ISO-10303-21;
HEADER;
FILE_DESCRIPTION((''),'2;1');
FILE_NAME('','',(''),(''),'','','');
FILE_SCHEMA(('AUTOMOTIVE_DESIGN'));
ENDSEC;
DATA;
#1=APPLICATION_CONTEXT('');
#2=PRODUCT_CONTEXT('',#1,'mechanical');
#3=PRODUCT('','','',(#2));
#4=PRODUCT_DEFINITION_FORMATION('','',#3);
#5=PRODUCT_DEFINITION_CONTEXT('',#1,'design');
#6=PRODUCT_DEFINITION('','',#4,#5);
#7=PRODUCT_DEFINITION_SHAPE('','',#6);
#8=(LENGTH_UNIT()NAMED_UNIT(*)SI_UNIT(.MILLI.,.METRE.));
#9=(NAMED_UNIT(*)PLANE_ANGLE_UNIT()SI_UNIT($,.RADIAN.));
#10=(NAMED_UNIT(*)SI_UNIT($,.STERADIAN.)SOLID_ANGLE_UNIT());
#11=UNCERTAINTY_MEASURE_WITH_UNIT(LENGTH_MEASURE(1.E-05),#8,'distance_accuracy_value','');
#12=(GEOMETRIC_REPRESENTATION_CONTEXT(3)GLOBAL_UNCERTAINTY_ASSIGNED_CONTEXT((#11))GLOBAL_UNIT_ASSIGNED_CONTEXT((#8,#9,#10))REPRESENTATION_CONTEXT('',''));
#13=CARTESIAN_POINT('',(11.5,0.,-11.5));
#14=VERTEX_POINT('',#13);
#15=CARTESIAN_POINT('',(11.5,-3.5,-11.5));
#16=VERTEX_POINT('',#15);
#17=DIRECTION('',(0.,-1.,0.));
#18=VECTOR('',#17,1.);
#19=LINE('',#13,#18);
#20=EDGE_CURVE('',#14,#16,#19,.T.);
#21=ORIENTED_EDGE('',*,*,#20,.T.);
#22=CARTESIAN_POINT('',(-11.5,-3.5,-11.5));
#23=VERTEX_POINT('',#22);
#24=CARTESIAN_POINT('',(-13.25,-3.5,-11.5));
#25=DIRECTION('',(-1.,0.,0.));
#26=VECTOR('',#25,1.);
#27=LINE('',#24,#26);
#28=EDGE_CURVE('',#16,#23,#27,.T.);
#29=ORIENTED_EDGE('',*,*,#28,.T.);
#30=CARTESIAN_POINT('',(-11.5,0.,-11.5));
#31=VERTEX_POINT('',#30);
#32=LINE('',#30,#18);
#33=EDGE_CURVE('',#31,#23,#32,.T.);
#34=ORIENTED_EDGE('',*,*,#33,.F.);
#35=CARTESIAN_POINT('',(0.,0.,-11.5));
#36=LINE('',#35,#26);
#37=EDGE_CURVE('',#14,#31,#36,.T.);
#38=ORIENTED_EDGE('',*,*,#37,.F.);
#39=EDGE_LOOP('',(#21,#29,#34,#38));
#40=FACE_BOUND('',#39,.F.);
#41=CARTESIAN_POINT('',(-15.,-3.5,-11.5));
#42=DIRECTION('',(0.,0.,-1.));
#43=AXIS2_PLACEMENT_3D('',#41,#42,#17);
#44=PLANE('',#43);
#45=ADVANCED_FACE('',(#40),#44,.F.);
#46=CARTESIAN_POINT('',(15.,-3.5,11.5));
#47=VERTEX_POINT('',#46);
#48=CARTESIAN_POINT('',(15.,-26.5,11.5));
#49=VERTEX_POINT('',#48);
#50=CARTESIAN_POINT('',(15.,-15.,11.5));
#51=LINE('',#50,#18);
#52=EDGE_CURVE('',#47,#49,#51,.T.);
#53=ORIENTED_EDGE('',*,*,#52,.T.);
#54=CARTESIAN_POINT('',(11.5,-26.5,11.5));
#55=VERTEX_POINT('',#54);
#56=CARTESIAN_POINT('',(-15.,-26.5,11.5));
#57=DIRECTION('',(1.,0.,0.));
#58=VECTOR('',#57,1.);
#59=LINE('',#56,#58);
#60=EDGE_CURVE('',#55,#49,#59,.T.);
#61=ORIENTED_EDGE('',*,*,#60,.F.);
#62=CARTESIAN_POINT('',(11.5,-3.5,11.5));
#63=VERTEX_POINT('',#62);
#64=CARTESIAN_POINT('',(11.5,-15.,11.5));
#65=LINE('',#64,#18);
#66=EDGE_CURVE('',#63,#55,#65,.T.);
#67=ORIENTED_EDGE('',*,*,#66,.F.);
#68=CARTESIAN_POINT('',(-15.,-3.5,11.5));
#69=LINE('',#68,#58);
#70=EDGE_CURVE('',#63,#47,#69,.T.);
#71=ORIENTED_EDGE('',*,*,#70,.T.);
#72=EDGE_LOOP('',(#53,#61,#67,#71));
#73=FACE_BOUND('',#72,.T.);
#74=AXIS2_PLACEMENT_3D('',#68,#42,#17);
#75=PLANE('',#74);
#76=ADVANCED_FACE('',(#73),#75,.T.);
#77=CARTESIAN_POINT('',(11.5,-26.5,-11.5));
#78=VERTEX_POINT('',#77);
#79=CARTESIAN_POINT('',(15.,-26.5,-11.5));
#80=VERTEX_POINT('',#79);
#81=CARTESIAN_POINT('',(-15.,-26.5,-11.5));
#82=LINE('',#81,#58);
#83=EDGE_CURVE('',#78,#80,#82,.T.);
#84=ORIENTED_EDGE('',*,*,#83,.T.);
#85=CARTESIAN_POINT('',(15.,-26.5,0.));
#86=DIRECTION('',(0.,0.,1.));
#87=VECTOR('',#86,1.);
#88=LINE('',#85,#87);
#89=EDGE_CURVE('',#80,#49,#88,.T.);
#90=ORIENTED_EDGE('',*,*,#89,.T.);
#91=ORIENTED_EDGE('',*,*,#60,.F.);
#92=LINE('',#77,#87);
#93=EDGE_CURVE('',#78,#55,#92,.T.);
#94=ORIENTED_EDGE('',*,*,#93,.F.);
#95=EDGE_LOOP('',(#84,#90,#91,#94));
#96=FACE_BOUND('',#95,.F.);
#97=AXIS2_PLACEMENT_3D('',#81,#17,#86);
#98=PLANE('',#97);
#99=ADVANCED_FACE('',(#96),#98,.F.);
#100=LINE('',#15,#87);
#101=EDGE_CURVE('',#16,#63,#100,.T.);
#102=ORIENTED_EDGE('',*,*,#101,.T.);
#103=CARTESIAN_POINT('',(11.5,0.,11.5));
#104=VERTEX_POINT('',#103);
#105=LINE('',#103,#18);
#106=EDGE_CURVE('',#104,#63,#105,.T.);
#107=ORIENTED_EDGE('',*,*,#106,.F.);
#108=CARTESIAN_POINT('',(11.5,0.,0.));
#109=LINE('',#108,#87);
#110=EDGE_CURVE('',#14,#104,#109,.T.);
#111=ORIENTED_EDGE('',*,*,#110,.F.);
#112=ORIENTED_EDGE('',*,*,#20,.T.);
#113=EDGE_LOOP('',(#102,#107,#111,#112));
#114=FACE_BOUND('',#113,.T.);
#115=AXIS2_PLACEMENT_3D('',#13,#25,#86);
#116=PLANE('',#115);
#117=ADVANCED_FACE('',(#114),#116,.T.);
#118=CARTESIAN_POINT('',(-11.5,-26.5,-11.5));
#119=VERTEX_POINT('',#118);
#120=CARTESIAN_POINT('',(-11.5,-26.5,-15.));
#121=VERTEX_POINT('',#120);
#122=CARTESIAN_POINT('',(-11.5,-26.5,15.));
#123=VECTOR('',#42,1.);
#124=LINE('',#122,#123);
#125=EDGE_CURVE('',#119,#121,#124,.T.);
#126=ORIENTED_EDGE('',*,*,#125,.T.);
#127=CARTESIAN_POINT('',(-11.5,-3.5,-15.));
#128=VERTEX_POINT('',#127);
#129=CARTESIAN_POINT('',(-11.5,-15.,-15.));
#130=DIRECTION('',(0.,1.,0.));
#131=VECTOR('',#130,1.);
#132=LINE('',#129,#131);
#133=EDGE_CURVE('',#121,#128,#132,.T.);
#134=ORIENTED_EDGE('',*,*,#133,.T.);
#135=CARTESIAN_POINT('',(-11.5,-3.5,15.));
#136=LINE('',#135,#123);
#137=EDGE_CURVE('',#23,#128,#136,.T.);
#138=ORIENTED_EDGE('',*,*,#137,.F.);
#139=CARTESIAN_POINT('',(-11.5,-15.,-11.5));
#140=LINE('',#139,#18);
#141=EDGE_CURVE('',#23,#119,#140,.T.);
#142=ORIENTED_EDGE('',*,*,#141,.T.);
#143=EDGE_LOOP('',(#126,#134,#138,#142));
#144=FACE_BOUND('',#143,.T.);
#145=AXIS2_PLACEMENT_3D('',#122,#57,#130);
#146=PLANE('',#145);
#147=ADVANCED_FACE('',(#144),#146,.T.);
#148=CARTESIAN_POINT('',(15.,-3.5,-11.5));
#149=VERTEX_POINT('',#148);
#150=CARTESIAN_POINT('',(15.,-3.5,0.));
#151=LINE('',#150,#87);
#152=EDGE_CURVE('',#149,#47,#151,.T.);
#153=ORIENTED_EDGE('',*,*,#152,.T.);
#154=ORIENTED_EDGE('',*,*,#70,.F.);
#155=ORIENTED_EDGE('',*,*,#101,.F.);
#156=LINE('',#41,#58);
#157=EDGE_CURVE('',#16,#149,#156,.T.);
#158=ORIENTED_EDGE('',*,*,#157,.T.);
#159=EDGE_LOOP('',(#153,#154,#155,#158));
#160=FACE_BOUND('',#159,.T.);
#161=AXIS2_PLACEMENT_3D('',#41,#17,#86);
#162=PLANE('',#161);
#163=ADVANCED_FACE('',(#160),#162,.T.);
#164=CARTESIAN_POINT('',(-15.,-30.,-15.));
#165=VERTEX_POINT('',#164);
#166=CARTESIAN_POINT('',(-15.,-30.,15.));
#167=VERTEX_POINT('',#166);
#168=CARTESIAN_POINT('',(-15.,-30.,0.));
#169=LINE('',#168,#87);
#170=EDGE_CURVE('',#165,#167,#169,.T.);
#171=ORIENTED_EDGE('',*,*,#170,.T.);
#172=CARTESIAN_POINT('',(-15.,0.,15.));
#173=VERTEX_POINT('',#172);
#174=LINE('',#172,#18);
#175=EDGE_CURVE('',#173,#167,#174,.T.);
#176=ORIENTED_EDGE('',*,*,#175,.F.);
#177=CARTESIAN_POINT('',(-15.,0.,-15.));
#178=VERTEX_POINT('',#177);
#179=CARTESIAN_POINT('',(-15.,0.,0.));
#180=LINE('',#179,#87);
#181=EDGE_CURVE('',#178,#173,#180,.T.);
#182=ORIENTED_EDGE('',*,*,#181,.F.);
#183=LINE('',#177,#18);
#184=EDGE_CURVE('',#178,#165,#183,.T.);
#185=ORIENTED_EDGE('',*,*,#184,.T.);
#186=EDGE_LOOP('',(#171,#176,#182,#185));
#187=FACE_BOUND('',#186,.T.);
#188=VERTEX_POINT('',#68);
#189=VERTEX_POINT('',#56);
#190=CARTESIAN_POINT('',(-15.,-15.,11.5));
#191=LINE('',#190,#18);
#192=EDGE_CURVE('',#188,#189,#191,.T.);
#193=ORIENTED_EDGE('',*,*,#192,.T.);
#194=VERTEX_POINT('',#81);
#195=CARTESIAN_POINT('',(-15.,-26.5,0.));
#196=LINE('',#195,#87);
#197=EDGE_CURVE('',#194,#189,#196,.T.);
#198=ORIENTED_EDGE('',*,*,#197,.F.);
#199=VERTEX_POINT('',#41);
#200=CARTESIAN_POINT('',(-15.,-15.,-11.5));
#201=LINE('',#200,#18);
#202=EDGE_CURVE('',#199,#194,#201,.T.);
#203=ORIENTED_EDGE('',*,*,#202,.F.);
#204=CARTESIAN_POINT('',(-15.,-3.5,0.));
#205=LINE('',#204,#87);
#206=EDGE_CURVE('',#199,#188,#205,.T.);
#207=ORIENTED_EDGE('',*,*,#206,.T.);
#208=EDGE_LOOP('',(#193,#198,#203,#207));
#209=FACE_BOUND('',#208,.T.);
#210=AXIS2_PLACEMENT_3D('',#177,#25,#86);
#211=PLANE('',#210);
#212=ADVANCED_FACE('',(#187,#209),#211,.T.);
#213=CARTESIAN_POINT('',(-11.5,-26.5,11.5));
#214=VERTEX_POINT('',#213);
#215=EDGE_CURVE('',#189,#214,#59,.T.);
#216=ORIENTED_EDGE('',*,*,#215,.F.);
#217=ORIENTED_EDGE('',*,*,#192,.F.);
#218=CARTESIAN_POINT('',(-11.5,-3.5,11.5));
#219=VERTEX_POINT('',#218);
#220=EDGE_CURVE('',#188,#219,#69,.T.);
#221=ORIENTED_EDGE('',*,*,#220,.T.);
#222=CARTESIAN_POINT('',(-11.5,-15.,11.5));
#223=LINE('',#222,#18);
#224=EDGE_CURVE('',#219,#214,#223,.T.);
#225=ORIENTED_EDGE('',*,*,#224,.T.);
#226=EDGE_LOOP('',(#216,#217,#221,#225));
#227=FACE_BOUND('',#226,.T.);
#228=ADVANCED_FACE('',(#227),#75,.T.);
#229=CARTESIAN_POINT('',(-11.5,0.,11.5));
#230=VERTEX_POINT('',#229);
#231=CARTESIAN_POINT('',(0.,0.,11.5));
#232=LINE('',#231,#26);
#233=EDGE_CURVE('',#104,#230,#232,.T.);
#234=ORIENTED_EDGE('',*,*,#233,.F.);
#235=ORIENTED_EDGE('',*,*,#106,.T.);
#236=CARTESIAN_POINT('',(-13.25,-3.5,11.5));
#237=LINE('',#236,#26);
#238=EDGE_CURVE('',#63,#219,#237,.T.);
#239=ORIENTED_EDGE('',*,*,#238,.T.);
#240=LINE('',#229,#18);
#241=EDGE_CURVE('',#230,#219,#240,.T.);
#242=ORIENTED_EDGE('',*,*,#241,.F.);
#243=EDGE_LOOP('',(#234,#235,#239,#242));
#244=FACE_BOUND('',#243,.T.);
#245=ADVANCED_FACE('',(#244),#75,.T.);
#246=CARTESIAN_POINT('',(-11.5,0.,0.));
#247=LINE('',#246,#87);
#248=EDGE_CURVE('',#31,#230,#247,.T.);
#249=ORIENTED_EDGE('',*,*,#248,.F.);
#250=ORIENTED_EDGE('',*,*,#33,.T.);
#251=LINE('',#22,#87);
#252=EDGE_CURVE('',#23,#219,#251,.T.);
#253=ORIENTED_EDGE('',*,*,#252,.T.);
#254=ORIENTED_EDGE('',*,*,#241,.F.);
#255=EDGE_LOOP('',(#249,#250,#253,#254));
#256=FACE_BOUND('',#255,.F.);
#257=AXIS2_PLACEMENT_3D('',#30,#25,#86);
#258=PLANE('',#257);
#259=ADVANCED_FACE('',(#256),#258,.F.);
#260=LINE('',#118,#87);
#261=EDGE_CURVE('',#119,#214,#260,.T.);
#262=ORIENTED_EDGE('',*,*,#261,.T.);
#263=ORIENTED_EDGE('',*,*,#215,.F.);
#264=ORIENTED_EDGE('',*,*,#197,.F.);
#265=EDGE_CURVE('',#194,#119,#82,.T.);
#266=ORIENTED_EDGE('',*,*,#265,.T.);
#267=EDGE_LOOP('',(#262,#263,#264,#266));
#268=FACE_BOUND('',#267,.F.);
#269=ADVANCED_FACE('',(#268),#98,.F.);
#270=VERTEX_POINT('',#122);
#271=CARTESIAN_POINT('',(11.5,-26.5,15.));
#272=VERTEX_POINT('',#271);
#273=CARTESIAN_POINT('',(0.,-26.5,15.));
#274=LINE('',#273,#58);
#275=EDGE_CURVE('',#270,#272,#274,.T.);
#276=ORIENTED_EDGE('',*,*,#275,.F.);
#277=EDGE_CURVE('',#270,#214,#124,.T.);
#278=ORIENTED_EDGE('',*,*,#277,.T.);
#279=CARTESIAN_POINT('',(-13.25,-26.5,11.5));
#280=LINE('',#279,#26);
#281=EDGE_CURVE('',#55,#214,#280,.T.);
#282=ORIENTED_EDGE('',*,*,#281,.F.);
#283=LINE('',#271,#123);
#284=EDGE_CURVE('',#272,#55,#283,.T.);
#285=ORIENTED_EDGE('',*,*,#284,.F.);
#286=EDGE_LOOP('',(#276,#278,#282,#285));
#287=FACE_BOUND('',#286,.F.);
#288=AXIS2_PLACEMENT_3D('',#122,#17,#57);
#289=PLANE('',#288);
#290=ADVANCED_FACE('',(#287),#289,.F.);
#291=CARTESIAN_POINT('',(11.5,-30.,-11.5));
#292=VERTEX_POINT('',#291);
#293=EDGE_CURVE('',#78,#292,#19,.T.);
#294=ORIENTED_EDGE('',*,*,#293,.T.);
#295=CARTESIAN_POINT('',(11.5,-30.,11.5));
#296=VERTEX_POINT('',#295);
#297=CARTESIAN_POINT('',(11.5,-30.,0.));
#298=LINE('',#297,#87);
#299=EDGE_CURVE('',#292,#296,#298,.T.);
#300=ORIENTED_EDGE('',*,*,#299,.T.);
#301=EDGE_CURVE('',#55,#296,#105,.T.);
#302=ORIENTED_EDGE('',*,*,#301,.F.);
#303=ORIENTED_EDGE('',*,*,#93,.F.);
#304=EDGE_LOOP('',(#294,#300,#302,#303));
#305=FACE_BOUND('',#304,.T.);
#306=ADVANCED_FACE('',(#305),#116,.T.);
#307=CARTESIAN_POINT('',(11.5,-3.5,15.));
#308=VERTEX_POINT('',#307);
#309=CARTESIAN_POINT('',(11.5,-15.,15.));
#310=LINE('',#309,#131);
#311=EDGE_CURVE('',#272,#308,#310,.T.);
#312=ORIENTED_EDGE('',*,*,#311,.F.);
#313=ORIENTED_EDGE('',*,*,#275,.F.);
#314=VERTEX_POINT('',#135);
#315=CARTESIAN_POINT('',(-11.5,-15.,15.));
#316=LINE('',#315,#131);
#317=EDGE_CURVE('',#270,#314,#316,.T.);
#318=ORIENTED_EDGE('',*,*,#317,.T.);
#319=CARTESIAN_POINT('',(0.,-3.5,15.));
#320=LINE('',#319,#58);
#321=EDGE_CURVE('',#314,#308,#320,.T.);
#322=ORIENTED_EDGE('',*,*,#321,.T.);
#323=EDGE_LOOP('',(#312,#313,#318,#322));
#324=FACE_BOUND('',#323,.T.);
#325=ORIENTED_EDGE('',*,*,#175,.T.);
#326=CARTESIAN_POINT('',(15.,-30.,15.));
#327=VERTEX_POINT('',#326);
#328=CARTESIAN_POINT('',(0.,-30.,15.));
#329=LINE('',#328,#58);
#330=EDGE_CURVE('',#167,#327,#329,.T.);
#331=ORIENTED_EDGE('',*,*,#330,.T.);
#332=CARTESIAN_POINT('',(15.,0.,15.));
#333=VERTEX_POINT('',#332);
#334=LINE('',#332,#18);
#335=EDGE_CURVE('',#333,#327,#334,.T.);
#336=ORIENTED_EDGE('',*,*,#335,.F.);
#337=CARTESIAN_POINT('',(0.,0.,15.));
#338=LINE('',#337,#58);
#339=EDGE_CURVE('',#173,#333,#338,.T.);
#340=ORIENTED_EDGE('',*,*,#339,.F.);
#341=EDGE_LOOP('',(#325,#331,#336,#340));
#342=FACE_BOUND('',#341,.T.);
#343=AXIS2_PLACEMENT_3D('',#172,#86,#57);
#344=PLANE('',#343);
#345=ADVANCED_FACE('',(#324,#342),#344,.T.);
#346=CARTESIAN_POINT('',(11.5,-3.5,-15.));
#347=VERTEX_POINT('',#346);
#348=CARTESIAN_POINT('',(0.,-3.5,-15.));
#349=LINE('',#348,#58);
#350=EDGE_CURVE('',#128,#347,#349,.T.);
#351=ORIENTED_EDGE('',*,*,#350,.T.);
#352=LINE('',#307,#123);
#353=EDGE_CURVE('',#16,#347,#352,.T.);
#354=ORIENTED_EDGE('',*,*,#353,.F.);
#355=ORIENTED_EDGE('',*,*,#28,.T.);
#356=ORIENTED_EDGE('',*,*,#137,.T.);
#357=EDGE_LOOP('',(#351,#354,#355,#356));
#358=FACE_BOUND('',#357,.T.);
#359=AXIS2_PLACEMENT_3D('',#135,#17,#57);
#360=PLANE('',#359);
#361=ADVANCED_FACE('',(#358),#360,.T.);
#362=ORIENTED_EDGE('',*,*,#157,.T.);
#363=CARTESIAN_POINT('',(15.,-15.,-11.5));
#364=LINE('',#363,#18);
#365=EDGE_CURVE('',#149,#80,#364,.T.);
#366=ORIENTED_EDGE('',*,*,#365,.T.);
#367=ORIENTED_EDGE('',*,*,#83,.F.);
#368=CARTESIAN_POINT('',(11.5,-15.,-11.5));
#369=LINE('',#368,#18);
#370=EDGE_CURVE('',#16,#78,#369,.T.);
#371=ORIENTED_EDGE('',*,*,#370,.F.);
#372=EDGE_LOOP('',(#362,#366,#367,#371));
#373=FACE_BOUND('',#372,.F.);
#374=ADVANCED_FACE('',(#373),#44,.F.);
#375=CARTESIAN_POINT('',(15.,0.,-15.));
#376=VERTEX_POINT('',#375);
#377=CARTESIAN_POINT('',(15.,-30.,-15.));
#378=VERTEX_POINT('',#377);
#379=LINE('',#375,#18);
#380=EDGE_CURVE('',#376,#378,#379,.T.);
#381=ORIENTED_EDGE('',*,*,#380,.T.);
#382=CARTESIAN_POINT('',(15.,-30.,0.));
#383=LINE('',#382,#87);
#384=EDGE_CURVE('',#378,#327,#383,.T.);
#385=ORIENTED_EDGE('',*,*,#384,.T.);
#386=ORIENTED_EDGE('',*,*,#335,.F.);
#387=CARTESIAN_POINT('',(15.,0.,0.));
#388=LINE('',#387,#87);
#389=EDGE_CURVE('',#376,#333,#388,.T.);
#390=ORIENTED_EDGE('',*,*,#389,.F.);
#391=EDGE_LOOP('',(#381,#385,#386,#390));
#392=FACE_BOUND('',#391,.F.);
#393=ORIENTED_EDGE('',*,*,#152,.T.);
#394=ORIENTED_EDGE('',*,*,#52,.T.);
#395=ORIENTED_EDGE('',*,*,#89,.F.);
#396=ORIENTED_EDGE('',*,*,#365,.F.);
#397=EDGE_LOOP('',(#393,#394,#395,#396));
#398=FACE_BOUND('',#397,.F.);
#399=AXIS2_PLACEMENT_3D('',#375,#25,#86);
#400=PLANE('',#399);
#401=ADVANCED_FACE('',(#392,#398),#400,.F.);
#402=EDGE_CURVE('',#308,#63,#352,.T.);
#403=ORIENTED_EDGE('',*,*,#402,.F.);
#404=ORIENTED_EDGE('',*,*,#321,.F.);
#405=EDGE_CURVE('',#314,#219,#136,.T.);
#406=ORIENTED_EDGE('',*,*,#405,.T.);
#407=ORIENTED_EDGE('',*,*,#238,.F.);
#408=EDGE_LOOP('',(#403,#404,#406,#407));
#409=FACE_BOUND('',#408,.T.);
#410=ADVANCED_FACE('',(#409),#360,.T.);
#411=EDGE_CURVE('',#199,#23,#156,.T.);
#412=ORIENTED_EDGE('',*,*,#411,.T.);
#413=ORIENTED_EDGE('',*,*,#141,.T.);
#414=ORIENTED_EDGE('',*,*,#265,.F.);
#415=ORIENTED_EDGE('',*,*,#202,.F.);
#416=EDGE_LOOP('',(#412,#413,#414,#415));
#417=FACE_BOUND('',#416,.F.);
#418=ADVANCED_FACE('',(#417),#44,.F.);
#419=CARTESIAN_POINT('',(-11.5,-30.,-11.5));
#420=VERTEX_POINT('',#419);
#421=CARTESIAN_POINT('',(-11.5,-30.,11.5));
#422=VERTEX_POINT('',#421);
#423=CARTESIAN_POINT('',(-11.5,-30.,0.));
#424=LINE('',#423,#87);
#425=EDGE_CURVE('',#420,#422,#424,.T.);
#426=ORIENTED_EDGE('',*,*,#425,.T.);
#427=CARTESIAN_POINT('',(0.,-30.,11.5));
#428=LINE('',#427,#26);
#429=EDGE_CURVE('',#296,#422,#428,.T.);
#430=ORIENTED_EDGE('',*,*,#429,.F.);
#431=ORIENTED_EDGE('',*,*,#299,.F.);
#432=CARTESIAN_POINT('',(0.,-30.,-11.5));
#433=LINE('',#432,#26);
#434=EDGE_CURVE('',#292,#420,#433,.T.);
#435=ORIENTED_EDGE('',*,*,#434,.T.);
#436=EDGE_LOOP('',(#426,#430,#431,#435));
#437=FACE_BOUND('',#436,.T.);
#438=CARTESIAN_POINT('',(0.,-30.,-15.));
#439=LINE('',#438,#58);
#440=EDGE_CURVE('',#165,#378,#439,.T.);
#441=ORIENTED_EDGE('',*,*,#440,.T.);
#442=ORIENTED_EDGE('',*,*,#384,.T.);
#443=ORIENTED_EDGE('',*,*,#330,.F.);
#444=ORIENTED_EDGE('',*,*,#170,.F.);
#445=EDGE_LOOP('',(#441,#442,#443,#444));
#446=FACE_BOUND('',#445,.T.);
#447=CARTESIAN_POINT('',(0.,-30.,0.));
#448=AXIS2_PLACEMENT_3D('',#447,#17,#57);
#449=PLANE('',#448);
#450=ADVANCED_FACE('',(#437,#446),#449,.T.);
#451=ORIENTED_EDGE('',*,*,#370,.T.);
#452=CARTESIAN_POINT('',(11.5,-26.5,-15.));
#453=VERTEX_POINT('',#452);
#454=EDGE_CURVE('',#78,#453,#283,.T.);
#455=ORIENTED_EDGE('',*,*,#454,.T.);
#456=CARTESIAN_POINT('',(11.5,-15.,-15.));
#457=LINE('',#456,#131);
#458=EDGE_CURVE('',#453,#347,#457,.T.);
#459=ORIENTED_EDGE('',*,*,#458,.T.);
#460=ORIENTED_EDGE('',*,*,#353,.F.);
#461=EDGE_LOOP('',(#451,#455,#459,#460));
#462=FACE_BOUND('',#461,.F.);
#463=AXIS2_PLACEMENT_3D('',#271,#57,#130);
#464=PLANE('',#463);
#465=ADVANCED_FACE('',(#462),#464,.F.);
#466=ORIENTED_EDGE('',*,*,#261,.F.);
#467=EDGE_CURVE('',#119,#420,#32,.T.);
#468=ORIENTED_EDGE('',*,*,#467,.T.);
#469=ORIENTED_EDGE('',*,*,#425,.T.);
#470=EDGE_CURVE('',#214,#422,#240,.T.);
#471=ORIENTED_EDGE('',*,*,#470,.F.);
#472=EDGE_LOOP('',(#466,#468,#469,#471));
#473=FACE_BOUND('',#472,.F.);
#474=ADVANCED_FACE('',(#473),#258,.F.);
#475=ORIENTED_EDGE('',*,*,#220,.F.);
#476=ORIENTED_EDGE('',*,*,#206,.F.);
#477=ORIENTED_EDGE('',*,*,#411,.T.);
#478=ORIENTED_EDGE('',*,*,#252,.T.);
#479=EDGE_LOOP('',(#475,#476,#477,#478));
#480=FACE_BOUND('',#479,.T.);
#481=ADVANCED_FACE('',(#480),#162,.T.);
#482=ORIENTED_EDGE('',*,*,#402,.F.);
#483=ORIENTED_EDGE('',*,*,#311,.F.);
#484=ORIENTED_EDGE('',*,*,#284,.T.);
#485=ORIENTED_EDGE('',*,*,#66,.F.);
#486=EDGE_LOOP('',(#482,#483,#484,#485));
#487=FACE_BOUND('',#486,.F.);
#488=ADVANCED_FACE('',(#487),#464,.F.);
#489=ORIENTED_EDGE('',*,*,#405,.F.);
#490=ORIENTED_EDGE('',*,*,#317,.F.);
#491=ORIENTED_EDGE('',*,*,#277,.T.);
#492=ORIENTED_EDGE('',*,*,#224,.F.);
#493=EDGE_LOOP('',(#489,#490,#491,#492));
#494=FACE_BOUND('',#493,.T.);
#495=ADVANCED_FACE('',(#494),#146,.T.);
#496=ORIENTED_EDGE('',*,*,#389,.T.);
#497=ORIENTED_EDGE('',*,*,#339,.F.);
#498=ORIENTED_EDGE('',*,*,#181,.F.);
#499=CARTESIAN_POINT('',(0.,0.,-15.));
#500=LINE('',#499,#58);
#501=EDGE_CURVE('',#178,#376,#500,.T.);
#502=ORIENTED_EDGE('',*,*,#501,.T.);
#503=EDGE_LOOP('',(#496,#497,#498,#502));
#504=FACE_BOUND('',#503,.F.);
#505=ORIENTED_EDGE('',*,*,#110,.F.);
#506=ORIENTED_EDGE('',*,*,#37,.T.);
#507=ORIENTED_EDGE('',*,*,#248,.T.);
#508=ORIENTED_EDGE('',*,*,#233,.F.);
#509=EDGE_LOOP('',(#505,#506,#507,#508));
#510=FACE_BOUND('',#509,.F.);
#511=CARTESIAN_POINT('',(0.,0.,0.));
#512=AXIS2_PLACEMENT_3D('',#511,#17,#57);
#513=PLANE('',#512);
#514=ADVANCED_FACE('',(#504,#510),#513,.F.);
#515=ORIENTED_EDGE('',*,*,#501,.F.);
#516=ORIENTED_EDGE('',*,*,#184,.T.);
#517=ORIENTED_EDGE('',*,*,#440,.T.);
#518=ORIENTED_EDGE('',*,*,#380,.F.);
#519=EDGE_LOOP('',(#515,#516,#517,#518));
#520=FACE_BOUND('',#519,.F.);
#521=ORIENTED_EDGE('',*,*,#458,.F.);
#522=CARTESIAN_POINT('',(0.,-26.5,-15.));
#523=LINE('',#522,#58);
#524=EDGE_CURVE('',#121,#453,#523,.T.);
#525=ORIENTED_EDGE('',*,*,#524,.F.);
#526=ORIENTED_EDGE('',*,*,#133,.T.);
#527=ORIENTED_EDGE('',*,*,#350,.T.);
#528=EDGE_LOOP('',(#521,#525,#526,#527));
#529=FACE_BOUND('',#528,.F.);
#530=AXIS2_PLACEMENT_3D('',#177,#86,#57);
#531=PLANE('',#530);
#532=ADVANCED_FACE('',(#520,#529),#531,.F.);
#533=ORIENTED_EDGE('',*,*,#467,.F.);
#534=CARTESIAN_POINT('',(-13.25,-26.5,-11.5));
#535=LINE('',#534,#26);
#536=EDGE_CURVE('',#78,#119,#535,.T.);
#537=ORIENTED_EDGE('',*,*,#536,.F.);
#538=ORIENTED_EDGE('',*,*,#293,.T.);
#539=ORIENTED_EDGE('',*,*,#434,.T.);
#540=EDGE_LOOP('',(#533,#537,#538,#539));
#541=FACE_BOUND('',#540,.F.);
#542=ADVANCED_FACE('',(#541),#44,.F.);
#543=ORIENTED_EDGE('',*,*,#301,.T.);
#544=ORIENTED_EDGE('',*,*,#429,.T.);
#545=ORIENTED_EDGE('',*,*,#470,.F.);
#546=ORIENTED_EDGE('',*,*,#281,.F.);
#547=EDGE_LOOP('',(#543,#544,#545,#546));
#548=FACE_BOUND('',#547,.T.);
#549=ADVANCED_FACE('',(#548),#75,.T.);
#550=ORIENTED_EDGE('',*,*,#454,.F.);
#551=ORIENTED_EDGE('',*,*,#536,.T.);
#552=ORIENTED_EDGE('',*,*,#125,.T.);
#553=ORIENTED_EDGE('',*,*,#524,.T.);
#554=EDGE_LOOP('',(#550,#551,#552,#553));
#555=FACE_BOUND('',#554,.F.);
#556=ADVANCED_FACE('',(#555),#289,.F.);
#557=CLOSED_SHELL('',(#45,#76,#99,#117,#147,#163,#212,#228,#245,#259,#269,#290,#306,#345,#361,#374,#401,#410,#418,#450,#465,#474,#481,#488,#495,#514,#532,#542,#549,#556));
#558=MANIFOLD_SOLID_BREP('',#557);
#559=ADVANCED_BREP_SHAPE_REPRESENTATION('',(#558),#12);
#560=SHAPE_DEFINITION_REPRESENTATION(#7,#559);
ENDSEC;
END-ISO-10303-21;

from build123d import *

# Parameters (mm, degrees)
F0_W     = 30
F0_H     = 30
F1_DEPTH = 30
F2_W     = 23
F2_H     = 23
F3_DEPTH = 30
F4_W     = 23
F4_H     = 23
F5_DEPTH = 30
F6_W     = 23
F6_H     = 23
F7_DEPTH = 30


with BuildPart() as f1:
    # F0 (on Front) → F1 (new body)
    with BuildSketch(Plane.XZ):
        Rectangle(F0_W, F0_H)
    extrude(amount=F1_DEPTH)

    # F2 (on face) → F3 (cut)
    with BuildSketch(Plane(origin=(0, 0, 0), x_dir=(-1, 0, 0), z_dir=(0, 1, 0))):
        Rectangle(F2_W, F2_H)
    extrude(amount=-F3_DEPTH, mode=Mode.SUBTRACT)

    # F4 (on face) → F5 (cut)
    with BuildSketch(Plane(origin=(-15, 0, 0), x_dir=(0, -1, 0), z_dir=(-1, 0, 0))):
        with Locations((15, 0)):
            Rectangle(F4_W, F4_H)
    extrude(amount=-F5_DEPTH, mode=Mode.SUBTRACT)

    # F6 (on face) → F7 (cut)
    with BuildSketch(Plane.XY.offset(15)):
        with Locations((0, -15)):
            Rectangle(F6_W, F6_H)
    extrude(amount=-F7_DEPTH, mode=Mode.SUBTRACT)


solid = f1.part
